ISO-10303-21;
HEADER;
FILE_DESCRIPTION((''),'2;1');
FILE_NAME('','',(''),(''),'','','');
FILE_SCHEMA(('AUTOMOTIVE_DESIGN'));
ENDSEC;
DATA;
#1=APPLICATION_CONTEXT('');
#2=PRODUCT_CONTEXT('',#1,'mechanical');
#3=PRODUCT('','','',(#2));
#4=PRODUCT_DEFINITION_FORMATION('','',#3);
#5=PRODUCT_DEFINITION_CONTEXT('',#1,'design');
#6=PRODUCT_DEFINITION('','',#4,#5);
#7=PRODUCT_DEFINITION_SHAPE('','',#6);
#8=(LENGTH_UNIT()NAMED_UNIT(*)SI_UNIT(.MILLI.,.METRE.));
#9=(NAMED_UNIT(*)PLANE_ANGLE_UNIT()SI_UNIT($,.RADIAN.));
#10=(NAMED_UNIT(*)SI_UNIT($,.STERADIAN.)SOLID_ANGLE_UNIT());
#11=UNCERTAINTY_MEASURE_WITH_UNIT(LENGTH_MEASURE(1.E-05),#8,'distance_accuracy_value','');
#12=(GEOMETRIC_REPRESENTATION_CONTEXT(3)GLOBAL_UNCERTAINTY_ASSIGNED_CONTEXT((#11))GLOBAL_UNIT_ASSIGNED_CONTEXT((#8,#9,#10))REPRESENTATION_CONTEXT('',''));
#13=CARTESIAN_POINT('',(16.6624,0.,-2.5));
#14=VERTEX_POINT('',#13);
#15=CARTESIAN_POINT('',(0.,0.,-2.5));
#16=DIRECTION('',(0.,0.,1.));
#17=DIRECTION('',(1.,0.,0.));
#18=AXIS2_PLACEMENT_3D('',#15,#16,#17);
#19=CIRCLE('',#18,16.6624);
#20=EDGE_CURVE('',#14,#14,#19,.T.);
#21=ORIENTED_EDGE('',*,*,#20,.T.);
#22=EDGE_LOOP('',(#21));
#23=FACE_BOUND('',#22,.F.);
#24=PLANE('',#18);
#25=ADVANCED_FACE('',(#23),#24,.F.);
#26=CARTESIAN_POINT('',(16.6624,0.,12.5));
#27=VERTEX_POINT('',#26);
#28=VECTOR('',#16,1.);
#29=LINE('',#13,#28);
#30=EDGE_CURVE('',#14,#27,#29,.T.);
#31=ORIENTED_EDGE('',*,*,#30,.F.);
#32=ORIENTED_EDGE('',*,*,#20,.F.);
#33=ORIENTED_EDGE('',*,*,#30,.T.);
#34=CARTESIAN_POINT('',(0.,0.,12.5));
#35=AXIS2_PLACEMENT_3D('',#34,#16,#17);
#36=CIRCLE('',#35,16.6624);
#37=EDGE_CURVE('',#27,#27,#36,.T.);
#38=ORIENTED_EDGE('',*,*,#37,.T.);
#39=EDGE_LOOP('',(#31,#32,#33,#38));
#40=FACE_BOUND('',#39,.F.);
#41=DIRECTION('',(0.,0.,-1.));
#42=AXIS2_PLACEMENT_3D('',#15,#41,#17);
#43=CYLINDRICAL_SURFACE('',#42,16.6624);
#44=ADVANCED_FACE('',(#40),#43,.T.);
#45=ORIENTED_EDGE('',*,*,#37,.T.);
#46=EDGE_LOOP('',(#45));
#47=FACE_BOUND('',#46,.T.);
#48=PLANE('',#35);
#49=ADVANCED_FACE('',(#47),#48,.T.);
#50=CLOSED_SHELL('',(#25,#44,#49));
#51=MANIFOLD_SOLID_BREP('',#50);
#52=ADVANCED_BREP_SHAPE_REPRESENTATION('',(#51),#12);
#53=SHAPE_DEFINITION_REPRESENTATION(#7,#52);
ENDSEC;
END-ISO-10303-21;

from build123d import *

# Parameters (mm, degrees)
CYLINDER_R     = 16.6624
CYLINDER_DEPTH = 15


with BuildPart() as part:
    # Cylinder → Cylinder (new body)
    with BuildSketch(Plane.XY.offset(-2.5)):
        Circle(CYLINDER_R)
    extrude(amount=CYLINDER_DEPTH)


solid = part.part
